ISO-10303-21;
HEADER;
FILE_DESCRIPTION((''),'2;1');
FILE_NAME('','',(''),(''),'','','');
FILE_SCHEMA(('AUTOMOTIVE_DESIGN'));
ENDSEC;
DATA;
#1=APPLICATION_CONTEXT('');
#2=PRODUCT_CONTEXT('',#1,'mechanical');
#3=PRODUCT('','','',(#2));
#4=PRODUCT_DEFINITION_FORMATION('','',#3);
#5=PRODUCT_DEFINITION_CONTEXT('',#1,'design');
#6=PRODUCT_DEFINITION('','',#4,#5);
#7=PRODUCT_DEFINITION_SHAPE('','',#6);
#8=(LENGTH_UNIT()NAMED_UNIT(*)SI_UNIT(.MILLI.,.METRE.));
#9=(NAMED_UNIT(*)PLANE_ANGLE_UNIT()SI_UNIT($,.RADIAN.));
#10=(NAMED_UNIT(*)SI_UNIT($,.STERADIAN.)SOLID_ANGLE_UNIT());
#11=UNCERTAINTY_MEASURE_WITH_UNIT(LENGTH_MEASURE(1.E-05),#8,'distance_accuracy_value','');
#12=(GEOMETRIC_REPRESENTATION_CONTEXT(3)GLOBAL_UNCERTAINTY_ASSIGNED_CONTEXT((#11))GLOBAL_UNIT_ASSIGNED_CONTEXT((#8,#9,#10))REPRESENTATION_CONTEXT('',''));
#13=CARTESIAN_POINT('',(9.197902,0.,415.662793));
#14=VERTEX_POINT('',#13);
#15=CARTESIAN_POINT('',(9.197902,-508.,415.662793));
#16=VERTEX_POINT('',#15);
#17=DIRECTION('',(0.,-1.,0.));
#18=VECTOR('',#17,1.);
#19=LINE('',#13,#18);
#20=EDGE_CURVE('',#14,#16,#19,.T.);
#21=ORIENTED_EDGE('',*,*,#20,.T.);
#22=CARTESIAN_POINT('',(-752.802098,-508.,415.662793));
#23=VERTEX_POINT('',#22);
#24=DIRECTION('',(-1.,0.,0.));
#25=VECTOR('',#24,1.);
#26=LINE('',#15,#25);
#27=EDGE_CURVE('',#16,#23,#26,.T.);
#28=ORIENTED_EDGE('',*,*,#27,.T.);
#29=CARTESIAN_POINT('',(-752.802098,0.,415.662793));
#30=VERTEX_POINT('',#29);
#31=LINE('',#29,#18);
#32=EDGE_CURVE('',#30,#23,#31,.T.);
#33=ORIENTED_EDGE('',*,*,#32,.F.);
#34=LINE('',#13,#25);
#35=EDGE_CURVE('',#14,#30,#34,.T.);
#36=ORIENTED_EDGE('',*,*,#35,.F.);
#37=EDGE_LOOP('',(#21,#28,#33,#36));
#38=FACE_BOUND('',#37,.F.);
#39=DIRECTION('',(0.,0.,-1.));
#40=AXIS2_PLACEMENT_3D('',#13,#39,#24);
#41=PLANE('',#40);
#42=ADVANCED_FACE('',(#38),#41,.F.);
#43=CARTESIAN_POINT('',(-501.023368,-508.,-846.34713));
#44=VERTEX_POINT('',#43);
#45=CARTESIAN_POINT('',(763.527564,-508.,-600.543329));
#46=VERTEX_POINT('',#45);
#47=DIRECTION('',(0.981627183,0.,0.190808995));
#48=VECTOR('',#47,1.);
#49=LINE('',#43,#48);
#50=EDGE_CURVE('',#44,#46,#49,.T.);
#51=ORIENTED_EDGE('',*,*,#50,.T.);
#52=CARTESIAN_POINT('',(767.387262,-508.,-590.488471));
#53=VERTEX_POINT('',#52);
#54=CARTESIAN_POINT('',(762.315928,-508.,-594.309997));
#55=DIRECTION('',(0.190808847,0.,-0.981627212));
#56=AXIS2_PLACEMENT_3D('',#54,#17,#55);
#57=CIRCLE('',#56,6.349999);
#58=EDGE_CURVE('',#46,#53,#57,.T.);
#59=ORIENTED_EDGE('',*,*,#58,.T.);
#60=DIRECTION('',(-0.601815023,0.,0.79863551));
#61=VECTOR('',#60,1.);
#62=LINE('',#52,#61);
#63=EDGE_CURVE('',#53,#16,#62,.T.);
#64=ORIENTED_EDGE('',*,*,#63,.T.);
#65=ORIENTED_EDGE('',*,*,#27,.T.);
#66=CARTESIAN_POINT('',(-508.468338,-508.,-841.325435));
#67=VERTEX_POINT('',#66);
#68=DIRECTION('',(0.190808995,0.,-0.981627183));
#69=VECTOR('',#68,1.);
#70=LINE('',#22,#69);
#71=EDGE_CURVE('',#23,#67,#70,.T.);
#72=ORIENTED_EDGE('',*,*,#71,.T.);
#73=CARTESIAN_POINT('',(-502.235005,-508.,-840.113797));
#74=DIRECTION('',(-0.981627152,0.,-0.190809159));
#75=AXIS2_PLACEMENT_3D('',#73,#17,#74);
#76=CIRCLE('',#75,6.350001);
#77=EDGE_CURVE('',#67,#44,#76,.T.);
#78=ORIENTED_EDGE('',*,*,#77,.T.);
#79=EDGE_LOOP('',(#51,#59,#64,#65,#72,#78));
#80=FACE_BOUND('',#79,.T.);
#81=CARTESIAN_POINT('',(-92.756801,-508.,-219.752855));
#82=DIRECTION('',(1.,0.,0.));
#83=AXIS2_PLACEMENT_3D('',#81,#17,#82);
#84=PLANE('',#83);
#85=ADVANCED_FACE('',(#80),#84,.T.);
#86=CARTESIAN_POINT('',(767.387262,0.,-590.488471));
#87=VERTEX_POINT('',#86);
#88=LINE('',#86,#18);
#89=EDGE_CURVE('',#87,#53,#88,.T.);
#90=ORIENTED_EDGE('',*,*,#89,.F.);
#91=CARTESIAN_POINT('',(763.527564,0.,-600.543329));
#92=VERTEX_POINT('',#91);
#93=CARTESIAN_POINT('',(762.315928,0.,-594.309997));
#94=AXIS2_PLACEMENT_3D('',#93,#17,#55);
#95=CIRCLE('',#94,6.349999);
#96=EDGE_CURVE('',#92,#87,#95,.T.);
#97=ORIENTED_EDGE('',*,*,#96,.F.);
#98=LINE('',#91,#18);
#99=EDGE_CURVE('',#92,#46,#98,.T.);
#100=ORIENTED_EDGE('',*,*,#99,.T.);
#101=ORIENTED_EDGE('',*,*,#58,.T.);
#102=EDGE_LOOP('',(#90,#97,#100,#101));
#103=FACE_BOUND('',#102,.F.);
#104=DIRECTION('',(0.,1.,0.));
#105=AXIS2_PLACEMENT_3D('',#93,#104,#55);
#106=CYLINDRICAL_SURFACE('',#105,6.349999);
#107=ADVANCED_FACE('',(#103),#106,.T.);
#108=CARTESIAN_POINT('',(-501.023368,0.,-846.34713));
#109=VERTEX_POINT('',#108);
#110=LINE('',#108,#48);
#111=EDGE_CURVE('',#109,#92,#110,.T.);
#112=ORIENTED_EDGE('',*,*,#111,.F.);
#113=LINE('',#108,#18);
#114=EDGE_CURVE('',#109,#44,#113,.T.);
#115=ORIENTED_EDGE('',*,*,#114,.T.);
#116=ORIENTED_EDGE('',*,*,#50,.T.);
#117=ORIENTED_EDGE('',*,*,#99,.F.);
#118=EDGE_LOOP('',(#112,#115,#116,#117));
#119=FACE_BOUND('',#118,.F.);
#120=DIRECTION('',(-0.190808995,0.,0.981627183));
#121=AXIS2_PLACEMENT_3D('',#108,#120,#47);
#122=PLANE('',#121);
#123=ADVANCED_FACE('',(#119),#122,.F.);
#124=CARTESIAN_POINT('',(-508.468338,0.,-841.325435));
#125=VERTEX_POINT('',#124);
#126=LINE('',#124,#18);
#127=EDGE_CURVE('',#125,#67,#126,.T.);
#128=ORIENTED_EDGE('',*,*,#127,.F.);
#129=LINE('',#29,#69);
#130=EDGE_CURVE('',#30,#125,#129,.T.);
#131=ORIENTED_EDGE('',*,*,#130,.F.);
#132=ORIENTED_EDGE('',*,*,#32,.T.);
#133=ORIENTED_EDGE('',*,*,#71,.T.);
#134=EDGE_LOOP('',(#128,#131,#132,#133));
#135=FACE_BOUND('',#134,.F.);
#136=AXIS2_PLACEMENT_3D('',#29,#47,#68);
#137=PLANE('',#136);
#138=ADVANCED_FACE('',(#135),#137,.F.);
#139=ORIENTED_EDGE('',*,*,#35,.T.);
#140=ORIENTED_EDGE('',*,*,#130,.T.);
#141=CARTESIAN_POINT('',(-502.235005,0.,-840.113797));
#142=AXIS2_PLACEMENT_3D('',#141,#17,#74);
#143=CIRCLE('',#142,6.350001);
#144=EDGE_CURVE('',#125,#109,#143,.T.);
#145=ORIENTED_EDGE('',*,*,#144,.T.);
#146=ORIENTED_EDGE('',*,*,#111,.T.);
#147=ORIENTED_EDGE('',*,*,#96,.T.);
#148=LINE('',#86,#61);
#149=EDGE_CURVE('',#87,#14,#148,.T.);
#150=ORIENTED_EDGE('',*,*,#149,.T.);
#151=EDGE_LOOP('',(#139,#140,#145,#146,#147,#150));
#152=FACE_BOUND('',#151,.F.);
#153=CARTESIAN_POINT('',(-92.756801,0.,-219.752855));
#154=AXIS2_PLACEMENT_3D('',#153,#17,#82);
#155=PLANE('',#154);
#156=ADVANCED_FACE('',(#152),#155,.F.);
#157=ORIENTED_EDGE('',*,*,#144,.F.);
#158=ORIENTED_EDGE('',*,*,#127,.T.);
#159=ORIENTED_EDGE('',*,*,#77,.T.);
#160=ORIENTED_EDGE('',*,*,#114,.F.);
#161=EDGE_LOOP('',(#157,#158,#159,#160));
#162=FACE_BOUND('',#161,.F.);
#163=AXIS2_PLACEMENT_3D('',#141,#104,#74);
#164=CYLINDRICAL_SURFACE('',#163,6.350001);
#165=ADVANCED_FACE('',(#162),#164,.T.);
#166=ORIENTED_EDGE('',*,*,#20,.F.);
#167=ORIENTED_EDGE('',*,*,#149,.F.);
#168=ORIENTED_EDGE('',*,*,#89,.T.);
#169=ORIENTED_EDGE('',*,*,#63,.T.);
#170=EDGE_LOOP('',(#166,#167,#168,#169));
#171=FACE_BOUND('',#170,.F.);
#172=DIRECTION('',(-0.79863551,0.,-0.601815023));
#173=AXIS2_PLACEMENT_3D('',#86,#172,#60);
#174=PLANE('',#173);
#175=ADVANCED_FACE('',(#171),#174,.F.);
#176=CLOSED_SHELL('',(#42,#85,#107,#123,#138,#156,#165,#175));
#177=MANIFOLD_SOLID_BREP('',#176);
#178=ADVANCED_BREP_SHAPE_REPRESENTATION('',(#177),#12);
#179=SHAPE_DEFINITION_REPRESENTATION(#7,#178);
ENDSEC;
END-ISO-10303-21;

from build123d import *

# Parameters (mm, degrees)
F1_DEPTH = 508


with BuildPart() as f1:
    # F0 (on Front) → F1 (new body)
    with BuildSketch(Plane.XZ):
        with BuildLine():
            ThreePointArc((-508.468338, -841.325435), (-505.78588, -845.378186), (-501.023368, -846.34713))
            Line((-501.023368, -846.34713), (763.527564, -600.543329))
            ThreePointArc((763.527564, -600.543329), (768.244163, -596.585633), (767.387262, -590.488471))
            Line((767.387262, -590.488471), (9.197902, 415.662793))
            Line((9.197902, 415.662793), (-752.802098, 415.662793))
            Line((-752.802098, 415.662793), (-508.468338, -841.325435))
        make_face()
    extrude(amount=F1_DEPTH)


solid = f1.part
